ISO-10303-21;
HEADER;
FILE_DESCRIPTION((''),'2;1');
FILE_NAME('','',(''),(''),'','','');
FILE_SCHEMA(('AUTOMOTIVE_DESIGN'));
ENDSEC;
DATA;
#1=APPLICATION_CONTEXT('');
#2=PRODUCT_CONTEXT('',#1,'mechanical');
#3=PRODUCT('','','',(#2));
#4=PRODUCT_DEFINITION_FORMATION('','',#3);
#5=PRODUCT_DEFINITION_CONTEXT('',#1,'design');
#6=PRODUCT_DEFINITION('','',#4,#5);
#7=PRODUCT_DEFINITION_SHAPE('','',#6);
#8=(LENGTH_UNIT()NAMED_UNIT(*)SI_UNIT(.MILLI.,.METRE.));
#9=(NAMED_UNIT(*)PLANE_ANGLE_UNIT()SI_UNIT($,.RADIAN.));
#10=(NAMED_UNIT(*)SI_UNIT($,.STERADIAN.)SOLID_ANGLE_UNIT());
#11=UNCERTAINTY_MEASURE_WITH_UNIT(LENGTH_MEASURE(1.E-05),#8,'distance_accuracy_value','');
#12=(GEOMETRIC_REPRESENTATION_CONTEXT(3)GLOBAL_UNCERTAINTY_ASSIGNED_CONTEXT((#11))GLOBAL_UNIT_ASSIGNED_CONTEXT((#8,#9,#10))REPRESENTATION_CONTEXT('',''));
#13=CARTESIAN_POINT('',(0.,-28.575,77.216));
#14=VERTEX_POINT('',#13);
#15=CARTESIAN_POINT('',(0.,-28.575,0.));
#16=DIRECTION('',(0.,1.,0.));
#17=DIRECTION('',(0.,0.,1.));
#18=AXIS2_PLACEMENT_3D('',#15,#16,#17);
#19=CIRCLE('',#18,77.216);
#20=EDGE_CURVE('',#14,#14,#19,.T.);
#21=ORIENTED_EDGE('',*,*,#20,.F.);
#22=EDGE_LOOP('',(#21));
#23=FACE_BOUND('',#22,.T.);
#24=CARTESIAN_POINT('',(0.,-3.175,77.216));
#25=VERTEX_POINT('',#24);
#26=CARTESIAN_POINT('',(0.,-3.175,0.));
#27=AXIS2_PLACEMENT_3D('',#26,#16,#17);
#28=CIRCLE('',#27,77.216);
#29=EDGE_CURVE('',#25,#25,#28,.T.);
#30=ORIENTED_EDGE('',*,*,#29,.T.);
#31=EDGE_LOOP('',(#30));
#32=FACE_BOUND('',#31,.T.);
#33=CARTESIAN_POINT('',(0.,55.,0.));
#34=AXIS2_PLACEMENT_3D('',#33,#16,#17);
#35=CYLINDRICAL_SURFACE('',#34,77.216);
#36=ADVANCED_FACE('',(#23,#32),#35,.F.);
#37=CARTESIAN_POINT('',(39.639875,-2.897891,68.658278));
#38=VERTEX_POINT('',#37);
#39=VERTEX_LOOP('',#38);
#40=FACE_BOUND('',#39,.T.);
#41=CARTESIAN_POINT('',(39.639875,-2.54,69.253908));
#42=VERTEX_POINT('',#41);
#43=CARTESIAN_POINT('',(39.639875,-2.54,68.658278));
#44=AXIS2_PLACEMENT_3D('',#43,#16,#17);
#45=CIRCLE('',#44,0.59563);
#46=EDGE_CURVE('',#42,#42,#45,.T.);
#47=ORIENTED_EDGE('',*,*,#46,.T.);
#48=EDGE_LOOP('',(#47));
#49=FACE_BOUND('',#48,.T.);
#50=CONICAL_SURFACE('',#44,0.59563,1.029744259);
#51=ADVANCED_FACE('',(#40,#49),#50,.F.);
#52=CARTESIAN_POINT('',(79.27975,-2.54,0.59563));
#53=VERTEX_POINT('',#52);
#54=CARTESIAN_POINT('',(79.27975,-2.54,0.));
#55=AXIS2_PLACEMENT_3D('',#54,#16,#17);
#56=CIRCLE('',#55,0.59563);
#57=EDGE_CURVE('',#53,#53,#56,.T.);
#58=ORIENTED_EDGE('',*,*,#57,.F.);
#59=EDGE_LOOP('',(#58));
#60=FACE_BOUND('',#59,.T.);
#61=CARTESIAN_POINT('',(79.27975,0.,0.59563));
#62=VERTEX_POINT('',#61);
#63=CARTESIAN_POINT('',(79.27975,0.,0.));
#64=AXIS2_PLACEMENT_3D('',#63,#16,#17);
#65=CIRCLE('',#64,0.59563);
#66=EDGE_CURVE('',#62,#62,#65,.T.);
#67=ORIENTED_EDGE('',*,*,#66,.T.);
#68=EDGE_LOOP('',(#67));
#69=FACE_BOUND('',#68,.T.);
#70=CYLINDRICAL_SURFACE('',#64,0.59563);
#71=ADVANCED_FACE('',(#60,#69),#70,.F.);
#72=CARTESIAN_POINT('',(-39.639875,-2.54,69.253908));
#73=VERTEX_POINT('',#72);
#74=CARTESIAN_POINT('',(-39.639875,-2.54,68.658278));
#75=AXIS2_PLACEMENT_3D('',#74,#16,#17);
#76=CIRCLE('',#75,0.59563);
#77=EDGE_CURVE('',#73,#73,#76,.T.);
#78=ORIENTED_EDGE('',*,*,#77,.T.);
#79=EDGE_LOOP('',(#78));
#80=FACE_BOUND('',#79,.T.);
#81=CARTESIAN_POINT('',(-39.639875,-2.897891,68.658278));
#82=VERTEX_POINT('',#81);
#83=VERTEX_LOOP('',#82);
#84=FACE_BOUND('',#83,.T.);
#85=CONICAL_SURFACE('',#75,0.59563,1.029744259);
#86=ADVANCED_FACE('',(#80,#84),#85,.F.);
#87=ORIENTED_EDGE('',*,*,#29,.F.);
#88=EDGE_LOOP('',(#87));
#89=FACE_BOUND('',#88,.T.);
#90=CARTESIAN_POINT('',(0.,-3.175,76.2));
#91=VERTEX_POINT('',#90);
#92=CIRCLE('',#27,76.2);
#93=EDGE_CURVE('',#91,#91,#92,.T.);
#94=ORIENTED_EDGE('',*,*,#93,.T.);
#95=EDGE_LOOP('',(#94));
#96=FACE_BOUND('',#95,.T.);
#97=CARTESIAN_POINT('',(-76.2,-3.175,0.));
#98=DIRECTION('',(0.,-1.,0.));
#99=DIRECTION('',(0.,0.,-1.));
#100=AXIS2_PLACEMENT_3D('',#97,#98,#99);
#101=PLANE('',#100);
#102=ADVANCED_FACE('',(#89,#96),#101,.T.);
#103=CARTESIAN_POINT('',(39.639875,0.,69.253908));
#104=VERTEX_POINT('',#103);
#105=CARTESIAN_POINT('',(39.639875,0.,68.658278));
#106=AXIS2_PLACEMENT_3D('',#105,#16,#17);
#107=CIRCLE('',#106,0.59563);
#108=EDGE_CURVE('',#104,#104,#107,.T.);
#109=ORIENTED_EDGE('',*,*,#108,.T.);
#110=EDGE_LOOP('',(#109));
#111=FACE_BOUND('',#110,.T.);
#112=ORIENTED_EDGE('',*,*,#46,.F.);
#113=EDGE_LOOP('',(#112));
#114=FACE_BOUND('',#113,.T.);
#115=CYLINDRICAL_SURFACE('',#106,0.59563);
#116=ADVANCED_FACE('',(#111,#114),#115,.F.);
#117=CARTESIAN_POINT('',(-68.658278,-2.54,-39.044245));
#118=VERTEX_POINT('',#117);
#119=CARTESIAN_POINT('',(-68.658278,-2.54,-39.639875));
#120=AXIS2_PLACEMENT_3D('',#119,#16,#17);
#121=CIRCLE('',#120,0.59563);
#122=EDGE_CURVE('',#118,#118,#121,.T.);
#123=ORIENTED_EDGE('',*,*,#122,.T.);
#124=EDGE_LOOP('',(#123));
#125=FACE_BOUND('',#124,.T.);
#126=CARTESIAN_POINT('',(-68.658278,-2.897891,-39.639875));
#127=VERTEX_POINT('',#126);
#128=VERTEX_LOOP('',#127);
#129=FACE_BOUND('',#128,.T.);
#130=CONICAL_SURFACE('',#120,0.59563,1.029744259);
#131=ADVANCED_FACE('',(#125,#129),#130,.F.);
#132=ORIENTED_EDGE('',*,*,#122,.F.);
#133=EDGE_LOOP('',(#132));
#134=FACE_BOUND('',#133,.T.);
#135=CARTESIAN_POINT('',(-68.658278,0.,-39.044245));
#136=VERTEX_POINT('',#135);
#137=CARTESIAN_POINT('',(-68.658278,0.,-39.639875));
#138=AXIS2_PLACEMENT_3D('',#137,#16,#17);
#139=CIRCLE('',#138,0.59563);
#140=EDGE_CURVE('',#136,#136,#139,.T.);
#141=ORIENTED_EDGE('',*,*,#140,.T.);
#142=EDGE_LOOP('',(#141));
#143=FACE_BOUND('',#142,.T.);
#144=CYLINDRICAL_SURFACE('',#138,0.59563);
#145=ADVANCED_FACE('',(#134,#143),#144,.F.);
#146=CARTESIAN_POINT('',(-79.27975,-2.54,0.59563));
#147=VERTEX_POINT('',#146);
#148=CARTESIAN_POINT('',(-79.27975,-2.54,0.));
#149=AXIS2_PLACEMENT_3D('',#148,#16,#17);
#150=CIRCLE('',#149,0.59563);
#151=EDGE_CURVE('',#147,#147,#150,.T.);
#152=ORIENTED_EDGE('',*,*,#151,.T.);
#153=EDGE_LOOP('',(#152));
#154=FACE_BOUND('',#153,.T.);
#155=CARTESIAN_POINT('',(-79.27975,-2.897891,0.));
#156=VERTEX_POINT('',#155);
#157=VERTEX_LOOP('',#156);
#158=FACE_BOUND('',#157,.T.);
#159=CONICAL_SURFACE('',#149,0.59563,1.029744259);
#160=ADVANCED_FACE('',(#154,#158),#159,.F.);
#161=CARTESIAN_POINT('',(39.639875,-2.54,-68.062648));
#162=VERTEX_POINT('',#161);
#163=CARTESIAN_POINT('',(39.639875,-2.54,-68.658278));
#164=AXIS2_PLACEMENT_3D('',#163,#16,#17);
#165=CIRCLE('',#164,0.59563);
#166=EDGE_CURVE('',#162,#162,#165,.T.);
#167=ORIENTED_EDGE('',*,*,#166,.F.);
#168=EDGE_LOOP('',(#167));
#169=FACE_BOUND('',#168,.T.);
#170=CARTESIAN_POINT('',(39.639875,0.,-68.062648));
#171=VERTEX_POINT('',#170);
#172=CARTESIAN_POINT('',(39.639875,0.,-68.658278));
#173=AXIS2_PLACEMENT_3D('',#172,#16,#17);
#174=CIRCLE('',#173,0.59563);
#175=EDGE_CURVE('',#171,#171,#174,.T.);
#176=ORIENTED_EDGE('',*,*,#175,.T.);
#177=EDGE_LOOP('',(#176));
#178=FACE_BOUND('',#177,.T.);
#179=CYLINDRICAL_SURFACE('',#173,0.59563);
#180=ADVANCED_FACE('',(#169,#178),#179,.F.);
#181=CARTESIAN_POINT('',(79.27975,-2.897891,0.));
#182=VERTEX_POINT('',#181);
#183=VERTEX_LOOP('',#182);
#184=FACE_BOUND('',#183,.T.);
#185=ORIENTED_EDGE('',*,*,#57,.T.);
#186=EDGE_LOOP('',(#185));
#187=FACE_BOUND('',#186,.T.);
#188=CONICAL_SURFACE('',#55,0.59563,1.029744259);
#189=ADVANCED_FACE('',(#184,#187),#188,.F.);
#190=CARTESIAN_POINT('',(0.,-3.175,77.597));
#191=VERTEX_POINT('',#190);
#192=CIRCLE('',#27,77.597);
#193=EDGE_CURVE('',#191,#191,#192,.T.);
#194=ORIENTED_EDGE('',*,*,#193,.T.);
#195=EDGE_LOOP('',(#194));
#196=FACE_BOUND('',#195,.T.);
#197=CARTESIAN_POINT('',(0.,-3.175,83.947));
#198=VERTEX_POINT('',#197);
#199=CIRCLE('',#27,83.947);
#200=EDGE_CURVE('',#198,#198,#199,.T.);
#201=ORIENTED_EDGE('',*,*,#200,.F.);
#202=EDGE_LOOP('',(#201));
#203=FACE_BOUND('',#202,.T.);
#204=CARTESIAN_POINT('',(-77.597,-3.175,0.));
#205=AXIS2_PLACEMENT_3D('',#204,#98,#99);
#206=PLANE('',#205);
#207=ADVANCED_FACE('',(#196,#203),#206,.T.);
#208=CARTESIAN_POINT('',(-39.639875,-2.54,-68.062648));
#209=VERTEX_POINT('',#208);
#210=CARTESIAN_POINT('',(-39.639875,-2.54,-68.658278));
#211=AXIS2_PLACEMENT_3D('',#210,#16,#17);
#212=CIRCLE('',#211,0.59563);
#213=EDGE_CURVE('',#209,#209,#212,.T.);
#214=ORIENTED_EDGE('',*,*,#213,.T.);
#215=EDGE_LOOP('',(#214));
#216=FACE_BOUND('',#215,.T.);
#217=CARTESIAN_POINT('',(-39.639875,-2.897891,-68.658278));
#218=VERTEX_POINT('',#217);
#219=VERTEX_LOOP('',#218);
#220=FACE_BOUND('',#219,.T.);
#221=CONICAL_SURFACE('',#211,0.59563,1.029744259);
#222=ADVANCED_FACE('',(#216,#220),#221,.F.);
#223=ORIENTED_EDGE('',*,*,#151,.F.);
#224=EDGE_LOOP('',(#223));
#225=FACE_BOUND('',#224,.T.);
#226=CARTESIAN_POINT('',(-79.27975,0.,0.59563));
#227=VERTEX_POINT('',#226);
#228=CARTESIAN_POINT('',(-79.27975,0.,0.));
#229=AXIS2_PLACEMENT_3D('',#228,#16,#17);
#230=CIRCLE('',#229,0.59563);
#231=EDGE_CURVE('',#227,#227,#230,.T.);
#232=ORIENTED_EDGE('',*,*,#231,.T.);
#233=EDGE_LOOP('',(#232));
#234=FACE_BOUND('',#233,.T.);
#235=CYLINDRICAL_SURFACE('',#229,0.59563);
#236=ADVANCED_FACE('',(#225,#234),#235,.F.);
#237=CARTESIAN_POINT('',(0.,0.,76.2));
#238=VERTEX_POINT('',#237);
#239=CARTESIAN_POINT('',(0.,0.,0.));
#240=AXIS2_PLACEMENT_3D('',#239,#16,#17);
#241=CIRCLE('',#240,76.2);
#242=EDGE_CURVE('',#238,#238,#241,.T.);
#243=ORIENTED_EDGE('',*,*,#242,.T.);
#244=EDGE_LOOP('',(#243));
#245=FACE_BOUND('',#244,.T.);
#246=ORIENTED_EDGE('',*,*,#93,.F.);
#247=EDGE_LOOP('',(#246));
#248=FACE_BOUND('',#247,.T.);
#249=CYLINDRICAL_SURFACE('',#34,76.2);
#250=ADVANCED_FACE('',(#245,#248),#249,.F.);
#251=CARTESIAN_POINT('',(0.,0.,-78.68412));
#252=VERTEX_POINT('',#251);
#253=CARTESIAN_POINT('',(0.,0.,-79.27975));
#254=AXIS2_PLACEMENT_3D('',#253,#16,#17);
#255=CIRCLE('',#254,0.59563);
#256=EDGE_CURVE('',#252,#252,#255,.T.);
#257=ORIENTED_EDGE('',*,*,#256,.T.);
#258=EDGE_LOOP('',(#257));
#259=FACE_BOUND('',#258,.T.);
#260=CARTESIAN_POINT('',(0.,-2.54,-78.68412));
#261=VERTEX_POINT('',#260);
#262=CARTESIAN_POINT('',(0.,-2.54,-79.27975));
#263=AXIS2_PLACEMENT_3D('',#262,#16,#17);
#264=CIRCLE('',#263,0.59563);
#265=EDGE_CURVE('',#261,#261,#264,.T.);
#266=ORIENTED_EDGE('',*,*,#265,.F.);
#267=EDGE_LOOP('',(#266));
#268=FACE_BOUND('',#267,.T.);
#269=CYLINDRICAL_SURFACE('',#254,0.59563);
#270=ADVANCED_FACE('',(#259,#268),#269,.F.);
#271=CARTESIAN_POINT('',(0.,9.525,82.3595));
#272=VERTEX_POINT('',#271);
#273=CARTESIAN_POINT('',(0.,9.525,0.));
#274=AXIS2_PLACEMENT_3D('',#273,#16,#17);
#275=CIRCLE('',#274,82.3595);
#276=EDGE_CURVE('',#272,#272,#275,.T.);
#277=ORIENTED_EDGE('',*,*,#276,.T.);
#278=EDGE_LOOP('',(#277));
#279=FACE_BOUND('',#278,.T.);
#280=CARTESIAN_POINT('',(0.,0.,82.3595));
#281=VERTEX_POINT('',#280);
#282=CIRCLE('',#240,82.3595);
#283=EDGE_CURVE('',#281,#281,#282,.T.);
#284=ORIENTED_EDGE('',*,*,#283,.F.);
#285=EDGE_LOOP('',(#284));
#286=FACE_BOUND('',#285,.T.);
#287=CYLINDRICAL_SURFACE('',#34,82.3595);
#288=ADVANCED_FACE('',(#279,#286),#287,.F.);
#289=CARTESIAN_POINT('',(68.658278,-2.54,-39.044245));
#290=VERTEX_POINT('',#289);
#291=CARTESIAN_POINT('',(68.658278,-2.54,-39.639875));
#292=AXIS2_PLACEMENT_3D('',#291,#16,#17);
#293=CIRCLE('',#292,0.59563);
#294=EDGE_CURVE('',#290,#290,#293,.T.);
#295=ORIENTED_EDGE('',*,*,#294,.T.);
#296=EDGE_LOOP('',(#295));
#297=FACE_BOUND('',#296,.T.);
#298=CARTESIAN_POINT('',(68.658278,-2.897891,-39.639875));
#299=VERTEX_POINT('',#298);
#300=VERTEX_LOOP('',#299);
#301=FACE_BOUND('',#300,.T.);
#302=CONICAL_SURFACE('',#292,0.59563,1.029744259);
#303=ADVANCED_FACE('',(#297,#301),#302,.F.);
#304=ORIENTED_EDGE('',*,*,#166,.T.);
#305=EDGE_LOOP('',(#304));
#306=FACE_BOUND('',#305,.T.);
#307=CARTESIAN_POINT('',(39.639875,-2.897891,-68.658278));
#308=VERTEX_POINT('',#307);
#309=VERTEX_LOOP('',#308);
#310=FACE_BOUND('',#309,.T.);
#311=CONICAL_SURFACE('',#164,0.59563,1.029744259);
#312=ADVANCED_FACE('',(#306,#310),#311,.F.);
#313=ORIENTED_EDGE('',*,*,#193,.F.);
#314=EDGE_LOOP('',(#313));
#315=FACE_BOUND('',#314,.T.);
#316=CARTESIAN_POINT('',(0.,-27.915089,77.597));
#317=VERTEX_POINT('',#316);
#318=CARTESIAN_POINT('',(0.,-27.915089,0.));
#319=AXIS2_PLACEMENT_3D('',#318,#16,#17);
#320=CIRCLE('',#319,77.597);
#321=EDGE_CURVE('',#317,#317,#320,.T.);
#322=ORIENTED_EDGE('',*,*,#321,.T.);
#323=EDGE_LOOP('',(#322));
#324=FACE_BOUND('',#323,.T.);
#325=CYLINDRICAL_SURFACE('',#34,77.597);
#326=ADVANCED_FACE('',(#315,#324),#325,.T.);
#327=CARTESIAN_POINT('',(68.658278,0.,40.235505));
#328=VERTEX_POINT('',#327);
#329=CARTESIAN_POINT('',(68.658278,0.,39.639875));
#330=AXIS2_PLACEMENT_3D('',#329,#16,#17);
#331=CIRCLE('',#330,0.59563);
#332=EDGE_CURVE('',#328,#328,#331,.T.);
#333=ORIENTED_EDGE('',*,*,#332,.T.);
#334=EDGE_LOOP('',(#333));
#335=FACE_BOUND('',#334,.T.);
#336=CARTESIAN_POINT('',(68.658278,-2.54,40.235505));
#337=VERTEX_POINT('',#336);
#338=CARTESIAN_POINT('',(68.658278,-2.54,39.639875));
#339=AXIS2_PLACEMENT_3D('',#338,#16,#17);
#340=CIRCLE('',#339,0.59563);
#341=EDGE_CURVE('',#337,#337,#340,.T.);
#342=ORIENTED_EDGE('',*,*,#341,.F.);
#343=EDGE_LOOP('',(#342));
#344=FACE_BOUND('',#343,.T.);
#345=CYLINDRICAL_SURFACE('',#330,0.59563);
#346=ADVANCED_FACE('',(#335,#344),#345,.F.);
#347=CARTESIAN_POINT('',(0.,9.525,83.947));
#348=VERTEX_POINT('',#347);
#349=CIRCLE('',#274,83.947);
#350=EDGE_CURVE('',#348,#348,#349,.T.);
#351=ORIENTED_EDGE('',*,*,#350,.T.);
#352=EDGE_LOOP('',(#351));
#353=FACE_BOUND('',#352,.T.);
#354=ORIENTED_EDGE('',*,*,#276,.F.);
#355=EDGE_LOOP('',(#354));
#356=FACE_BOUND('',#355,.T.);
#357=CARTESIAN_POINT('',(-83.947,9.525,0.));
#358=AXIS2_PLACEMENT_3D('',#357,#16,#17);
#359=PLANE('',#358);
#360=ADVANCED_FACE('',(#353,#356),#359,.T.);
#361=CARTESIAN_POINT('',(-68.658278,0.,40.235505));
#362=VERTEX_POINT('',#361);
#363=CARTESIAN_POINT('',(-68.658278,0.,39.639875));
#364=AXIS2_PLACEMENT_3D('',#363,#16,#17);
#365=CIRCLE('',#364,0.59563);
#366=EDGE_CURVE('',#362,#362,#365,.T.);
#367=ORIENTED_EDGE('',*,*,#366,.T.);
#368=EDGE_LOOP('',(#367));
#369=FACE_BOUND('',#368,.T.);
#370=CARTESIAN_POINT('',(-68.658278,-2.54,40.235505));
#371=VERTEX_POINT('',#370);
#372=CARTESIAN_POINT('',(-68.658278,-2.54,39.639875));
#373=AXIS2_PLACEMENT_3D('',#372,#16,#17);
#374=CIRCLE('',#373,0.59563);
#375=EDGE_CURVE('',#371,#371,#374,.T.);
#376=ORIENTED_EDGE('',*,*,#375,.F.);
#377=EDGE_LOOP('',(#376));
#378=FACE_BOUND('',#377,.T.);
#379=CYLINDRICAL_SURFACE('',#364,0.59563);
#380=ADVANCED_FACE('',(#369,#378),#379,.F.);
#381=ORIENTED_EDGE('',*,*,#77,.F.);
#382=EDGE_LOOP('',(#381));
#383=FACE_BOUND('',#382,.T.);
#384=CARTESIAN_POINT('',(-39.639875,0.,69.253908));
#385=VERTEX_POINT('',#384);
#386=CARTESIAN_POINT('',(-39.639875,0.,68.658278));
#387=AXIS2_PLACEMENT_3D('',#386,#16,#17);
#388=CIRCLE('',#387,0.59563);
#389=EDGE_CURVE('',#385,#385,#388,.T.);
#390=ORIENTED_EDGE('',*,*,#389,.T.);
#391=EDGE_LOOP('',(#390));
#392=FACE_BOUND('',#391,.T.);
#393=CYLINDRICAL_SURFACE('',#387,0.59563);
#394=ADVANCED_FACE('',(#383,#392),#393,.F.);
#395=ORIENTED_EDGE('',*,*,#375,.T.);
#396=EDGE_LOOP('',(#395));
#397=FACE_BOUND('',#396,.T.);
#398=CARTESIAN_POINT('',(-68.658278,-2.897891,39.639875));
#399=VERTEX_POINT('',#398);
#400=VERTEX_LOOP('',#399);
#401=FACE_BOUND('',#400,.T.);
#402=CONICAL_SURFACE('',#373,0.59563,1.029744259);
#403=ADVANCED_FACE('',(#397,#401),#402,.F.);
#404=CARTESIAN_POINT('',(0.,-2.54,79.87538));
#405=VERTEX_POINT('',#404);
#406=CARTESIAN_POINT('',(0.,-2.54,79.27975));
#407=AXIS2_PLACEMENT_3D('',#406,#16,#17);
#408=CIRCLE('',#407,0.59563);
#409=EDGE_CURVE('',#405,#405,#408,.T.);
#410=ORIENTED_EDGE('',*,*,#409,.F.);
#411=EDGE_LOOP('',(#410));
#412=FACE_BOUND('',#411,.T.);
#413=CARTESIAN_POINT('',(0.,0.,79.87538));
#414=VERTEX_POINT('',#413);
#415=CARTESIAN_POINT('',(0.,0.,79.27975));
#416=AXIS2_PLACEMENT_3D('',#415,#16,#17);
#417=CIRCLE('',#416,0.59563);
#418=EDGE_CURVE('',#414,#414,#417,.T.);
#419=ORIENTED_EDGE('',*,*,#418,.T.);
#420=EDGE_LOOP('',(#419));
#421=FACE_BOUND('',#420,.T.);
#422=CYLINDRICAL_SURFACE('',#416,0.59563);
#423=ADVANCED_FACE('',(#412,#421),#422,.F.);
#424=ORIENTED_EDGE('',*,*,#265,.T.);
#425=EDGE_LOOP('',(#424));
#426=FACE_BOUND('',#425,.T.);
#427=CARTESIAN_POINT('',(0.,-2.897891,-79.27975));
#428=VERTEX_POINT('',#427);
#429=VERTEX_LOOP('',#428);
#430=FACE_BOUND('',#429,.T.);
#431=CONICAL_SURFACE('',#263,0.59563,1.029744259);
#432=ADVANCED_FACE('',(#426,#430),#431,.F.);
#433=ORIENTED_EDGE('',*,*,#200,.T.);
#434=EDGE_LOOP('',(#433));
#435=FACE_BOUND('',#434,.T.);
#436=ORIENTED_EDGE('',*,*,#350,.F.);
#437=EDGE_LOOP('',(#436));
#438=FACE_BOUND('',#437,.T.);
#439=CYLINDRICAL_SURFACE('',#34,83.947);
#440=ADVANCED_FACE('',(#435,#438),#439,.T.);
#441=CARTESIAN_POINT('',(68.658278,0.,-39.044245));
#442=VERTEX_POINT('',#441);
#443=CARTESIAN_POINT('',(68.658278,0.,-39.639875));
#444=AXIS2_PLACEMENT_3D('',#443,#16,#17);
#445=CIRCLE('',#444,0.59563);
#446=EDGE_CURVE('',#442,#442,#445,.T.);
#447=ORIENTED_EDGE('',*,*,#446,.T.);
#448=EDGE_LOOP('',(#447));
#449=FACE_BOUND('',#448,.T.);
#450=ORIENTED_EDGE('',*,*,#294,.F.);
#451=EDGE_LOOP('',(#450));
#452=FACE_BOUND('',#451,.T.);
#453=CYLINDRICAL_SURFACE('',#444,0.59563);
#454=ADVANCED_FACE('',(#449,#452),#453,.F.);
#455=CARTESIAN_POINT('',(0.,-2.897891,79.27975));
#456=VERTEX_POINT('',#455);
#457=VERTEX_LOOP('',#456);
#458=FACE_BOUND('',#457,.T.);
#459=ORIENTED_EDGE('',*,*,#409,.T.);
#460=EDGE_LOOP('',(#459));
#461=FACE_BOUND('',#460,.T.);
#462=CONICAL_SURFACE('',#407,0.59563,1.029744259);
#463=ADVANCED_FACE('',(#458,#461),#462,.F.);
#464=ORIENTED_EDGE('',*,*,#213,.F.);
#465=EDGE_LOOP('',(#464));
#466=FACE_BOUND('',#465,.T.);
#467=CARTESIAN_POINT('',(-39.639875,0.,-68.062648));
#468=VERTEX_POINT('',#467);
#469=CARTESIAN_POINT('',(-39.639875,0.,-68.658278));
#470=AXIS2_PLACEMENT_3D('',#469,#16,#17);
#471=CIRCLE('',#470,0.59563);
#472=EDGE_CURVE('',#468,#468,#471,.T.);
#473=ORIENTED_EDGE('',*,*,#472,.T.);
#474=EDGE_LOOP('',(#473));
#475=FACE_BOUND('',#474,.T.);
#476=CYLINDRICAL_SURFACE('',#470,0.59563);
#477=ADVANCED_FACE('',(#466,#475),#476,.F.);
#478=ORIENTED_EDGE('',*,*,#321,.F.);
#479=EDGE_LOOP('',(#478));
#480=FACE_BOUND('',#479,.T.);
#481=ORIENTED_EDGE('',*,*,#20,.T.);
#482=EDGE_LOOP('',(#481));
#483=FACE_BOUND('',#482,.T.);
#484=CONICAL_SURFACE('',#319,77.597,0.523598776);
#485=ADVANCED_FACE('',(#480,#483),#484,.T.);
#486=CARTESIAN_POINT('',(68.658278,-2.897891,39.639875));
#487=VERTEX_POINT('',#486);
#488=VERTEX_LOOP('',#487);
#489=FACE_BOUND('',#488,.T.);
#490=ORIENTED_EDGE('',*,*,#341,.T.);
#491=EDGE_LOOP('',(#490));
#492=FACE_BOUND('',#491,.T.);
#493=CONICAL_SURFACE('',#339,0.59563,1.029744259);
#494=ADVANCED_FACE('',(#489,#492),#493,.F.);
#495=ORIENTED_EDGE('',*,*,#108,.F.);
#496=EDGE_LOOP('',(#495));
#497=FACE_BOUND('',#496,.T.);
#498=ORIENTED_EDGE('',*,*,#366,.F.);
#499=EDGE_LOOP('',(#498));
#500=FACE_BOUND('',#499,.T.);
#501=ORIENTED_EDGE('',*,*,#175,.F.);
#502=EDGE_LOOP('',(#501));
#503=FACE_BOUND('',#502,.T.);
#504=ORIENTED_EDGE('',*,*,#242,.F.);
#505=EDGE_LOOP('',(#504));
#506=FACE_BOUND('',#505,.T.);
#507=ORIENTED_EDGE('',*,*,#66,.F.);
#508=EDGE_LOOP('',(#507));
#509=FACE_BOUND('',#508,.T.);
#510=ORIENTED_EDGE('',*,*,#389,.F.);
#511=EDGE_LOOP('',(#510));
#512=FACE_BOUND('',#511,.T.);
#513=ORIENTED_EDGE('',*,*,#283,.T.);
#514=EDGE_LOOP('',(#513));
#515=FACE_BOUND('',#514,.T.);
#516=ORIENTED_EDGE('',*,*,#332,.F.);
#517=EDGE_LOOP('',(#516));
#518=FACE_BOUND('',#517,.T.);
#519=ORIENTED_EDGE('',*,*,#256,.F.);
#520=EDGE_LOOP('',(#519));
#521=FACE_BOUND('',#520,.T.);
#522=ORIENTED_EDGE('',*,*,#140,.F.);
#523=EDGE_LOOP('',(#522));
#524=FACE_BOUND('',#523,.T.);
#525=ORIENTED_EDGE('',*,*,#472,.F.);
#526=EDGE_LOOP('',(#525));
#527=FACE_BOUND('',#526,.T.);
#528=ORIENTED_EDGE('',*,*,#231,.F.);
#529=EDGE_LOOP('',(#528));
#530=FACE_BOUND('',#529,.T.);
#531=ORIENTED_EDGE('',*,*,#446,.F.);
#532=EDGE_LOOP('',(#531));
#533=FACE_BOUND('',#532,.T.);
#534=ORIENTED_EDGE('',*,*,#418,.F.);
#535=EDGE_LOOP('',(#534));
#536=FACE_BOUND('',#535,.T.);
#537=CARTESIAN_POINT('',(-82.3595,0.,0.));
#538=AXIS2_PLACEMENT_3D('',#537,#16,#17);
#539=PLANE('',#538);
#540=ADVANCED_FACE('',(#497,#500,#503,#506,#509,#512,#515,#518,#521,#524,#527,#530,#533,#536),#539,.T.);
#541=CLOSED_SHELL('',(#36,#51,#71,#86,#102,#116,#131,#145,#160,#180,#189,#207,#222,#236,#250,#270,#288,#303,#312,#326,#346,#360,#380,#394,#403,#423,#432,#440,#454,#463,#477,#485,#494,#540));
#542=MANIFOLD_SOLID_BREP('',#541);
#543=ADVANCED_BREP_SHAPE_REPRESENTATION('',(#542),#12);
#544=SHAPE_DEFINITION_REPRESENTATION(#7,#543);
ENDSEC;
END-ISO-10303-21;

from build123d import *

# Parameters (mm, degrees)
SCREW_HOLES_COUNT = 12


with BuildPart() as part:
    # Cross Section → Main (revolve)
    with BuildSketch(Plane.XY):
        Polygon((-76.2, 0), (-76.2, -3.175), (-77.216, -3.175), (-77.216, -28.575), (-77.597, -27.915088642), (-77.597, -3.175), (-83.947, -3.175), (-83.947, 9.525), (-82.3595, 9.525), (-82.3595, 0), align=None)
    revolve(axis=Axis((0, 55, 0), (0, -1, 0)))

    # Sketch7 → #0-80 Tapped Hole1 (revolve, cut)
    with BuildSketch(Plane(origin=(-79.27975, 0, 0), x_dir=(0, 0, 1), z_dir=(1, 0, 0))):
        Polygon((0, 0), (0, 2.897890611), (0.59563, 2.54), (0.59563, 0), align=None)
    f_0_80_tapped_hole1 = revolve(axis=Axis((-79.27975, 6.35, 0), (0, -1, 0)), mode=Mode.SUBTRACT)

    # Screw Holes: #0-80 Tapped Hole1 ×12 about axis
    screw_holes_axis = Axis((0, 0, 0), (0, 1, 0))
    for i in range(1, SCREW_HOLES_COUNT):
        add(f_0_80_tapped_hole1.rotate(screw_holes_axis, i * 360 / SCREW_HOLES_COUNT), mode=Mode.SUBTRACT)


solid = part.part
